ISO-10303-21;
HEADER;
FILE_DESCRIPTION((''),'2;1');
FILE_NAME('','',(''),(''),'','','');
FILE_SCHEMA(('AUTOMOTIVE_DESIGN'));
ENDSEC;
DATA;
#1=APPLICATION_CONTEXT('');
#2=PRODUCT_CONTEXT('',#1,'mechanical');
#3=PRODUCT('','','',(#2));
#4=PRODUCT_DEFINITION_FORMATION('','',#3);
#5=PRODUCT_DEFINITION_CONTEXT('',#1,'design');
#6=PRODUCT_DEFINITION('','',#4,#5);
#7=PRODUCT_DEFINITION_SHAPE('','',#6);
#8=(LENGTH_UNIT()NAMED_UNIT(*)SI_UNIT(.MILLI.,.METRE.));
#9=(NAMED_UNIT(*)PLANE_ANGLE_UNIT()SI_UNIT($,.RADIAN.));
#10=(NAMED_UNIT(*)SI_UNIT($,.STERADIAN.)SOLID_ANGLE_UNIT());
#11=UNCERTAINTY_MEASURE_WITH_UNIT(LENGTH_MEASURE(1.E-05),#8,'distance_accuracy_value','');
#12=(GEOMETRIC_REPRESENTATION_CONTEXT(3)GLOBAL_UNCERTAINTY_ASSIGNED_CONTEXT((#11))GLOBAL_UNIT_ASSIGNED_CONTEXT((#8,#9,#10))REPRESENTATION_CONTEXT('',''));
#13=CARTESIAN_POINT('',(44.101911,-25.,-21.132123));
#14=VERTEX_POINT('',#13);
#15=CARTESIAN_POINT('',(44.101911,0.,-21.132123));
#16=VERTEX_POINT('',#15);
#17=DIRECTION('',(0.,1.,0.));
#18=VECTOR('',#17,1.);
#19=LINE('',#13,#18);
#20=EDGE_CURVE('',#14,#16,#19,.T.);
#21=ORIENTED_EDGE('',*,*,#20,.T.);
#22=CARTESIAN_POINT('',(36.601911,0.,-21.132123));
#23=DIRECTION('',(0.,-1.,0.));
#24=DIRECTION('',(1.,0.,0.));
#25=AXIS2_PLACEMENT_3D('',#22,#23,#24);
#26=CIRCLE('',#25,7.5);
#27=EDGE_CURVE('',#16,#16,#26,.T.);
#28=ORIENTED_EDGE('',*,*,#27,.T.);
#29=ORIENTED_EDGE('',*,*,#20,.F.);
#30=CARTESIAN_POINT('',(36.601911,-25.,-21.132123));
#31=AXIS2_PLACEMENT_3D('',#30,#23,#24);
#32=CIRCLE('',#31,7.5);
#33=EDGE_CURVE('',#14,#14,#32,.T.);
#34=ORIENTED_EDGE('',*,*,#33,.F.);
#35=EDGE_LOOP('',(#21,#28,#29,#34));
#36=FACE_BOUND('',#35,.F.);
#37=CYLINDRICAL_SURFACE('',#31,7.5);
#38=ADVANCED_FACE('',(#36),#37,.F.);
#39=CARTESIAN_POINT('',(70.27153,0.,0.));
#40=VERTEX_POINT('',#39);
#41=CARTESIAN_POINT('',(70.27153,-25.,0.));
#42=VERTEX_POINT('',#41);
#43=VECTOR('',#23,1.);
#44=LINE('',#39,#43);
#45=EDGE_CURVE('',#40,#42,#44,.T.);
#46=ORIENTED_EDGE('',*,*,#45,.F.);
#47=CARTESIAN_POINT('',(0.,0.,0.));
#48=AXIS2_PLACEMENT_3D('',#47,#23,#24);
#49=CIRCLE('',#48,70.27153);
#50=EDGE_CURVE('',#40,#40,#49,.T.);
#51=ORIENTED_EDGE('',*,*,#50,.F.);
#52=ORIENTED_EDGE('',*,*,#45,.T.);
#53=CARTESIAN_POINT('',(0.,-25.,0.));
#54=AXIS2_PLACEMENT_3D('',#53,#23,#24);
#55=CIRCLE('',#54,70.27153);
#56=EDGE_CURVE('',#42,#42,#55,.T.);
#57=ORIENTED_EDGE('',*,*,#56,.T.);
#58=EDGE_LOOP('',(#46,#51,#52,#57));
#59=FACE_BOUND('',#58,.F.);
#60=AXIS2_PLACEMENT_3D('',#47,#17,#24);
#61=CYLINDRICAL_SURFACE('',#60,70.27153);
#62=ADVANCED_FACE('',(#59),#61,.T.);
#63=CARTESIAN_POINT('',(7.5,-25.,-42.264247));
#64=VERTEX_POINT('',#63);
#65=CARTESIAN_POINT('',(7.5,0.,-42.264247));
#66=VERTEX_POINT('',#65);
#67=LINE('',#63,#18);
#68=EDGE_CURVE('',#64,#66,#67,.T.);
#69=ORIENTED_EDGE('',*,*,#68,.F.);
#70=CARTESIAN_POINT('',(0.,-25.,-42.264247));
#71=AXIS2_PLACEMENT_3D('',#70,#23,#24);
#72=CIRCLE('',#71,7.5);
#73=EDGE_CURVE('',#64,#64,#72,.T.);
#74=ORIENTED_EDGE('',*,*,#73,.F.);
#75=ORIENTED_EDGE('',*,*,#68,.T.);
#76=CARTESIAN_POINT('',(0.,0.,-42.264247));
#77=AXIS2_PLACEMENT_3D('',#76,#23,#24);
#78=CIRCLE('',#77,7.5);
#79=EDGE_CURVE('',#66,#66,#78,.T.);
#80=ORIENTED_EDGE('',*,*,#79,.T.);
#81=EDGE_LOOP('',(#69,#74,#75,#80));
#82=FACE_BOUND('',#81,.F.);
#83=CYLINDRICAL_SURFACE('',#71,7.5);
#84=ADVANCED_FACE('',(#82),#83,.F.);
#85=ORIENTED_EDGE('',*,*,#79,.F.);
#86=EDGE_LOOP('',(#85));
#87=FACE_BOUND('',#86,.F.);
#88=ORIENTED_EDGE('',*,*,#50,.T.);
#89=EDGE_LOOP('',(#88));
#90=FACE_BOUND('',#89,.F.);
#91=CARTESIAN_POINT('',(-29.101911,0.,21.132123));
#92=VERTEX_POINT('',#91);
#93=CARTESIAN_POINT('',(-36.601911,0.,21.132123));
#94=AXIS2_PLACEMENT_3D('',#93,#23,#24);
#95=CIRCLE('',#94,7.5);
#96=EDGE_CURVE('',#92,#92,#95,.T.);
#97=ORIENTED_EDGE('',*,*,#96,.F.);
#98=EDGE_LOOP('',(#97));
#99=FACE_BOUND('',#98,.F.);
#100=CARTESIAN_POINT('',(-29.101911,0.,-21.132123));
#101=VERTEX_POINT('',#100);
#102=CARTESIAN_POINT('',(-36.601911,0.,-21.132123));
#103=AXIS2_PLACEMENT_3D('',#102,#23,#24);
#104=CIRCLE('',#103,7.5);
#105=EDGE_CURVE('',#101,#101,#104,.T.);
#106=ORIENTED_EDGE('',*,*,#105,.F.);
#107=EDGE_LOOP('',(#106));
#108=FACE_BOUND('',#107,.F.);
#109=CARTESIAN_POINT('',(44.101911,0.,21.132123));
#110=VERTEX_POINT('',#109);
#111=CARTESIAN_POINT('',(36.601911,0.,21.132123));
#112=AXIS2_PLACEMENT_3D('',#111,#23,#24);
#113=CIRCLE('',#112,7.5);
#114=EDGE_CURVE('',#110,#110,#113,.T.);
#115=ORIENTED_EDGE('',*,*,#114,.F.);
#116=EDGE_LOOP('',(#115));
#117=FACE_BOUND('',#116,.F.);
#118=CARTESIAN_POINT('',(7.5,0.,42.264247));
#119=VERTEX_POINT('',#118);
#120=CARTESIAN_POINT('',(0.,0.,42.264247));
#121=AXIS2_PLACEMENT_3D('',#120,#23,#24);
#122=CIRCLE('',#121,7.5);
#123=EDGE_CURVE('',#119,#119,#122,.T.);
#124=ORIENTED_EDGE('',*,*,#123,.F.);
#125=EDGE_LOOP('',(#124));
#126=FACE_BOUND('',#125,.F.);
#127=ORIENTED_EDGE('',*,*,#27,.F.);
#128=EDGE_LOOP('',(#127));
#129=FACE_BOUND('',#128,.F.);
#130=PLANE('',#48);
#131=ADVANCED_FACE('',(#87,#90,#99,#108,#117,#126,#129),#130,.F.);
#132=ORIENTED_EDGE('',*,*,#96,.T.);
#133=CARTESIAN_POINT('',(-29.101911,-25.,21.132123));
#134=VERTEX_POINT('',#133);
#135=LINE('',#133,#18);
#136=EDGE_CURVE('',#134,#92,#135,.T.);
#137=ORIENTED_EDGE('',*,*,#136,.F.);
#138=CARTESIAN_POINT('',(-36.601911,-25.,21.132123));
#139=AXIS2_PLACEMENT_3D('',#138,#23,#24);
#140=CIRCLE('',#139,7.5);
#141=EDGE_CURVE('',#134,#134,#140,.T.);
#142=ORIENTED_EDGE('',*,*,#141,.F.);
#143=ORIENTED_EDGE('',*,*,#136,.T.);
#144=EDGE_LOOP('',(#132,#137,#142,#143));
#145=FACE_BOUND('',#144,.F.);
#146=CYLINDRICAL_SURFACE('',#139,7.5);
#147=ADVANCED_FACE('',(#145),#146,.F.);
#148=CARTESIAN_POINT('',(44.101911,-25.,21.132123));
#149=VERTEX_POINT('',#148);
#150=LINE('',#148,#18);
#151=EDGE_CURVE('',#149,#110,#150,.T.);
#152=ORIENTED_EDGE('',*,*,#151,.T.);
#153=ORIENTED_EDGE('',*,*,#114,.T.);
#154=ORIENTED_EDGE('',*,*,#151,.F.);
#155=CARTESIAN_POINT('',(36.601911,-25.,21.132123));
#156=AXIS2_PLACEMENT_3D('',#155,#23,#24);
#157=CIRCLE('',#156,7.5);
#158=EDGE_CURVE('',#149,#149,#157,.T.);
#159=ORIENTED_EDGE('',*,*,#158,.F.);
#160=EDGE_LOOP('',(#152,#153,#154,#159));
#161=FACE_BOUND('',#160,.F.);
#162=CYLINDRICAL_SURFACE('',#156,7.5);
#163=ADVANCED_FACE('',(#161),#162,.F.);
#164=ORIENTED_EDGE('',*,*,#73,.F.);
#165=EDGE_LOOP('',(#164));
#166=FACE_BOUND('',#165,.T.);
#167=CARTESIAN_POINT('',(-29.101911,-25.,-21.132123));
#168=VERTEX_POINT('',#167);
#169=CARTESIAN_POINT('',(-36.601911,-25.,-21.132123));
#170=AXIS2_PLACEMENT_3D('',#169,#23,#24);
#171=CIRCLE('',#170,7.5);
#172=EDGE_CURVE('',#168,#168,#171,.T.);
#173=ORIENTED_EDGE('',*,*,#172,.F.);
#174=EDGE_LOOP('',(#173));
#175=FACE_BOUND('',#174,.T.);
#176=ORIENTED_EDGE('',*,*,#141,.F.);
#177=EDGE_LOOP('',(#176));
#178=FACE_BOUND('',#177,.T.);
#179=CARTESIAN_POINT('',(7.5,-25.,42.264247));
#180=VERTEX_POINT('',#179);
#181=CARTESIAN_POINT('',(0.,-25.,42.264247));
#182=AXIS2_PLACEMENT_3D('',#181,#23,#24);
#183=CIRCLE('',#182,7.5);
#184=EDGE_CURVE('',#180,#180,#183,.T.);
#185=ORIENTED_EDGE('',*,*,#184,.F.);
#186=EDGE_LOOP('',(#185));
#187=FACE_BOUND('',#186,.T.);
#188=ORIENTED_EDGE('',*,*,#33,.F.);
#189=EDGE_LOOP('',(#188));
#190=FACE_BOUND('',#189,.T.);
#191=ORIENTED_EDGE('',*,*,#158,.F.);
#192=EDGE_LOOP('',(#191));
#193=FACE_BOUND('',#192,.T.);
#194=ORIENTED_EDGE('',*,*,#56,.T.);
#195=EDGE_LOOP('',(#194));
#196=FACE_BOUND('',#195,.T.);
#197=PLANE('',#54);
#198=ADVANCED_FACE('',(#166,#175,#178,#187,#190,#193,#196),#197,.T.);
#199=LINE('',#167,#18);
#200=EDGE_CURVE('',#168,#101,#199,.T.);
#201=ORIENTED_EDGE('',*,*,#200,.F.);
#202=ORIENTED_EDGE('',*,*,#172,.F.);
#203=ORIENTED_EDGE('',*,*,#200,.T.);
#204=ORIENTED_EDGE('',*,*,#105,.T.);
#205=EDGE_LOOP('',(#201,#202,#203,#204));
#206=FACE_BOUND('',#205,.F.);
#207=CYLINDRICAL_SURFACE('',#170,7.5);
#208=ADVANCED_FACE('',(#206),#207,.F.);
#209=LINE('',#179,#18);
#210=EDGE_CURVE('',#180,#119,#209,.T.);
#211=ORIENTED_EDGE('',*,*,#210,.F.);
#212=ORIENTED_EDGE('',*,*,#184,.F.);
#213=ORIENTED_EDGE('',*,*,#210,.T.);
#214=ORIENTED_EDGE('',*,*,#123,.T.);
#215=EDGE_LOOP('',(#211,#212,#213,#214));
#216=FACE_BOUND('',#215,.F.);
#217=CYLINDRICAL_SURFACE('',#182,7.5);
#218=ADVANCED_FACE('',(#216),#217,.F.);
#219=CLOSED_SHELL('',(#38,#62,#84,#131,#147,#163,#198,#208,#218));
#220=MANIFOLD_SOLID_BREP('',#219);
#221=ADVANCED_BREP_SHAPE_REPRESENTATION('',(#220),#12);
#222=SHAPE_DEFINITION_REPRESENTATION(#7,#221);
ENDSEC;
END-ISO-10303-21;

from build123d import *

# Parameters (mm, degrees)
F0_R     = 70.27153
F1_DEPTH = 25
F2_R     = 7.5
F3_DEPTH = 25


with BuildPart() as f1:
    # F0 (on Front) → F1 (new body)
    with BuildSketch(Plane.XZ):
        Circle(F0_R)
    extrude(amount=F1_DEPTH)

    # F2 (on face) → F3 (cut)
    with BuildSketch(Plane.XZ.offset(25)):
        with Locations((0, 42.264247)):
            Circle(F2_R)
        with Locations((-36.601911, 21.132123)):
            Circle(F2_R)
        with Locations((-36.601911, -21.132123)):
            Circle(F2_R)
        with Locations((0, -42.264247)):
            Circle(F2_R)
        with Locations((36.601911, -21.132123)):
            Circle(F2_R)
        with Locations((36.601911, 21.132123)):
            Circle(F2_R)
    extrude(amount=-F3_DEPTH, mode=Mode.SUBTRACT)


solid = f1.part
